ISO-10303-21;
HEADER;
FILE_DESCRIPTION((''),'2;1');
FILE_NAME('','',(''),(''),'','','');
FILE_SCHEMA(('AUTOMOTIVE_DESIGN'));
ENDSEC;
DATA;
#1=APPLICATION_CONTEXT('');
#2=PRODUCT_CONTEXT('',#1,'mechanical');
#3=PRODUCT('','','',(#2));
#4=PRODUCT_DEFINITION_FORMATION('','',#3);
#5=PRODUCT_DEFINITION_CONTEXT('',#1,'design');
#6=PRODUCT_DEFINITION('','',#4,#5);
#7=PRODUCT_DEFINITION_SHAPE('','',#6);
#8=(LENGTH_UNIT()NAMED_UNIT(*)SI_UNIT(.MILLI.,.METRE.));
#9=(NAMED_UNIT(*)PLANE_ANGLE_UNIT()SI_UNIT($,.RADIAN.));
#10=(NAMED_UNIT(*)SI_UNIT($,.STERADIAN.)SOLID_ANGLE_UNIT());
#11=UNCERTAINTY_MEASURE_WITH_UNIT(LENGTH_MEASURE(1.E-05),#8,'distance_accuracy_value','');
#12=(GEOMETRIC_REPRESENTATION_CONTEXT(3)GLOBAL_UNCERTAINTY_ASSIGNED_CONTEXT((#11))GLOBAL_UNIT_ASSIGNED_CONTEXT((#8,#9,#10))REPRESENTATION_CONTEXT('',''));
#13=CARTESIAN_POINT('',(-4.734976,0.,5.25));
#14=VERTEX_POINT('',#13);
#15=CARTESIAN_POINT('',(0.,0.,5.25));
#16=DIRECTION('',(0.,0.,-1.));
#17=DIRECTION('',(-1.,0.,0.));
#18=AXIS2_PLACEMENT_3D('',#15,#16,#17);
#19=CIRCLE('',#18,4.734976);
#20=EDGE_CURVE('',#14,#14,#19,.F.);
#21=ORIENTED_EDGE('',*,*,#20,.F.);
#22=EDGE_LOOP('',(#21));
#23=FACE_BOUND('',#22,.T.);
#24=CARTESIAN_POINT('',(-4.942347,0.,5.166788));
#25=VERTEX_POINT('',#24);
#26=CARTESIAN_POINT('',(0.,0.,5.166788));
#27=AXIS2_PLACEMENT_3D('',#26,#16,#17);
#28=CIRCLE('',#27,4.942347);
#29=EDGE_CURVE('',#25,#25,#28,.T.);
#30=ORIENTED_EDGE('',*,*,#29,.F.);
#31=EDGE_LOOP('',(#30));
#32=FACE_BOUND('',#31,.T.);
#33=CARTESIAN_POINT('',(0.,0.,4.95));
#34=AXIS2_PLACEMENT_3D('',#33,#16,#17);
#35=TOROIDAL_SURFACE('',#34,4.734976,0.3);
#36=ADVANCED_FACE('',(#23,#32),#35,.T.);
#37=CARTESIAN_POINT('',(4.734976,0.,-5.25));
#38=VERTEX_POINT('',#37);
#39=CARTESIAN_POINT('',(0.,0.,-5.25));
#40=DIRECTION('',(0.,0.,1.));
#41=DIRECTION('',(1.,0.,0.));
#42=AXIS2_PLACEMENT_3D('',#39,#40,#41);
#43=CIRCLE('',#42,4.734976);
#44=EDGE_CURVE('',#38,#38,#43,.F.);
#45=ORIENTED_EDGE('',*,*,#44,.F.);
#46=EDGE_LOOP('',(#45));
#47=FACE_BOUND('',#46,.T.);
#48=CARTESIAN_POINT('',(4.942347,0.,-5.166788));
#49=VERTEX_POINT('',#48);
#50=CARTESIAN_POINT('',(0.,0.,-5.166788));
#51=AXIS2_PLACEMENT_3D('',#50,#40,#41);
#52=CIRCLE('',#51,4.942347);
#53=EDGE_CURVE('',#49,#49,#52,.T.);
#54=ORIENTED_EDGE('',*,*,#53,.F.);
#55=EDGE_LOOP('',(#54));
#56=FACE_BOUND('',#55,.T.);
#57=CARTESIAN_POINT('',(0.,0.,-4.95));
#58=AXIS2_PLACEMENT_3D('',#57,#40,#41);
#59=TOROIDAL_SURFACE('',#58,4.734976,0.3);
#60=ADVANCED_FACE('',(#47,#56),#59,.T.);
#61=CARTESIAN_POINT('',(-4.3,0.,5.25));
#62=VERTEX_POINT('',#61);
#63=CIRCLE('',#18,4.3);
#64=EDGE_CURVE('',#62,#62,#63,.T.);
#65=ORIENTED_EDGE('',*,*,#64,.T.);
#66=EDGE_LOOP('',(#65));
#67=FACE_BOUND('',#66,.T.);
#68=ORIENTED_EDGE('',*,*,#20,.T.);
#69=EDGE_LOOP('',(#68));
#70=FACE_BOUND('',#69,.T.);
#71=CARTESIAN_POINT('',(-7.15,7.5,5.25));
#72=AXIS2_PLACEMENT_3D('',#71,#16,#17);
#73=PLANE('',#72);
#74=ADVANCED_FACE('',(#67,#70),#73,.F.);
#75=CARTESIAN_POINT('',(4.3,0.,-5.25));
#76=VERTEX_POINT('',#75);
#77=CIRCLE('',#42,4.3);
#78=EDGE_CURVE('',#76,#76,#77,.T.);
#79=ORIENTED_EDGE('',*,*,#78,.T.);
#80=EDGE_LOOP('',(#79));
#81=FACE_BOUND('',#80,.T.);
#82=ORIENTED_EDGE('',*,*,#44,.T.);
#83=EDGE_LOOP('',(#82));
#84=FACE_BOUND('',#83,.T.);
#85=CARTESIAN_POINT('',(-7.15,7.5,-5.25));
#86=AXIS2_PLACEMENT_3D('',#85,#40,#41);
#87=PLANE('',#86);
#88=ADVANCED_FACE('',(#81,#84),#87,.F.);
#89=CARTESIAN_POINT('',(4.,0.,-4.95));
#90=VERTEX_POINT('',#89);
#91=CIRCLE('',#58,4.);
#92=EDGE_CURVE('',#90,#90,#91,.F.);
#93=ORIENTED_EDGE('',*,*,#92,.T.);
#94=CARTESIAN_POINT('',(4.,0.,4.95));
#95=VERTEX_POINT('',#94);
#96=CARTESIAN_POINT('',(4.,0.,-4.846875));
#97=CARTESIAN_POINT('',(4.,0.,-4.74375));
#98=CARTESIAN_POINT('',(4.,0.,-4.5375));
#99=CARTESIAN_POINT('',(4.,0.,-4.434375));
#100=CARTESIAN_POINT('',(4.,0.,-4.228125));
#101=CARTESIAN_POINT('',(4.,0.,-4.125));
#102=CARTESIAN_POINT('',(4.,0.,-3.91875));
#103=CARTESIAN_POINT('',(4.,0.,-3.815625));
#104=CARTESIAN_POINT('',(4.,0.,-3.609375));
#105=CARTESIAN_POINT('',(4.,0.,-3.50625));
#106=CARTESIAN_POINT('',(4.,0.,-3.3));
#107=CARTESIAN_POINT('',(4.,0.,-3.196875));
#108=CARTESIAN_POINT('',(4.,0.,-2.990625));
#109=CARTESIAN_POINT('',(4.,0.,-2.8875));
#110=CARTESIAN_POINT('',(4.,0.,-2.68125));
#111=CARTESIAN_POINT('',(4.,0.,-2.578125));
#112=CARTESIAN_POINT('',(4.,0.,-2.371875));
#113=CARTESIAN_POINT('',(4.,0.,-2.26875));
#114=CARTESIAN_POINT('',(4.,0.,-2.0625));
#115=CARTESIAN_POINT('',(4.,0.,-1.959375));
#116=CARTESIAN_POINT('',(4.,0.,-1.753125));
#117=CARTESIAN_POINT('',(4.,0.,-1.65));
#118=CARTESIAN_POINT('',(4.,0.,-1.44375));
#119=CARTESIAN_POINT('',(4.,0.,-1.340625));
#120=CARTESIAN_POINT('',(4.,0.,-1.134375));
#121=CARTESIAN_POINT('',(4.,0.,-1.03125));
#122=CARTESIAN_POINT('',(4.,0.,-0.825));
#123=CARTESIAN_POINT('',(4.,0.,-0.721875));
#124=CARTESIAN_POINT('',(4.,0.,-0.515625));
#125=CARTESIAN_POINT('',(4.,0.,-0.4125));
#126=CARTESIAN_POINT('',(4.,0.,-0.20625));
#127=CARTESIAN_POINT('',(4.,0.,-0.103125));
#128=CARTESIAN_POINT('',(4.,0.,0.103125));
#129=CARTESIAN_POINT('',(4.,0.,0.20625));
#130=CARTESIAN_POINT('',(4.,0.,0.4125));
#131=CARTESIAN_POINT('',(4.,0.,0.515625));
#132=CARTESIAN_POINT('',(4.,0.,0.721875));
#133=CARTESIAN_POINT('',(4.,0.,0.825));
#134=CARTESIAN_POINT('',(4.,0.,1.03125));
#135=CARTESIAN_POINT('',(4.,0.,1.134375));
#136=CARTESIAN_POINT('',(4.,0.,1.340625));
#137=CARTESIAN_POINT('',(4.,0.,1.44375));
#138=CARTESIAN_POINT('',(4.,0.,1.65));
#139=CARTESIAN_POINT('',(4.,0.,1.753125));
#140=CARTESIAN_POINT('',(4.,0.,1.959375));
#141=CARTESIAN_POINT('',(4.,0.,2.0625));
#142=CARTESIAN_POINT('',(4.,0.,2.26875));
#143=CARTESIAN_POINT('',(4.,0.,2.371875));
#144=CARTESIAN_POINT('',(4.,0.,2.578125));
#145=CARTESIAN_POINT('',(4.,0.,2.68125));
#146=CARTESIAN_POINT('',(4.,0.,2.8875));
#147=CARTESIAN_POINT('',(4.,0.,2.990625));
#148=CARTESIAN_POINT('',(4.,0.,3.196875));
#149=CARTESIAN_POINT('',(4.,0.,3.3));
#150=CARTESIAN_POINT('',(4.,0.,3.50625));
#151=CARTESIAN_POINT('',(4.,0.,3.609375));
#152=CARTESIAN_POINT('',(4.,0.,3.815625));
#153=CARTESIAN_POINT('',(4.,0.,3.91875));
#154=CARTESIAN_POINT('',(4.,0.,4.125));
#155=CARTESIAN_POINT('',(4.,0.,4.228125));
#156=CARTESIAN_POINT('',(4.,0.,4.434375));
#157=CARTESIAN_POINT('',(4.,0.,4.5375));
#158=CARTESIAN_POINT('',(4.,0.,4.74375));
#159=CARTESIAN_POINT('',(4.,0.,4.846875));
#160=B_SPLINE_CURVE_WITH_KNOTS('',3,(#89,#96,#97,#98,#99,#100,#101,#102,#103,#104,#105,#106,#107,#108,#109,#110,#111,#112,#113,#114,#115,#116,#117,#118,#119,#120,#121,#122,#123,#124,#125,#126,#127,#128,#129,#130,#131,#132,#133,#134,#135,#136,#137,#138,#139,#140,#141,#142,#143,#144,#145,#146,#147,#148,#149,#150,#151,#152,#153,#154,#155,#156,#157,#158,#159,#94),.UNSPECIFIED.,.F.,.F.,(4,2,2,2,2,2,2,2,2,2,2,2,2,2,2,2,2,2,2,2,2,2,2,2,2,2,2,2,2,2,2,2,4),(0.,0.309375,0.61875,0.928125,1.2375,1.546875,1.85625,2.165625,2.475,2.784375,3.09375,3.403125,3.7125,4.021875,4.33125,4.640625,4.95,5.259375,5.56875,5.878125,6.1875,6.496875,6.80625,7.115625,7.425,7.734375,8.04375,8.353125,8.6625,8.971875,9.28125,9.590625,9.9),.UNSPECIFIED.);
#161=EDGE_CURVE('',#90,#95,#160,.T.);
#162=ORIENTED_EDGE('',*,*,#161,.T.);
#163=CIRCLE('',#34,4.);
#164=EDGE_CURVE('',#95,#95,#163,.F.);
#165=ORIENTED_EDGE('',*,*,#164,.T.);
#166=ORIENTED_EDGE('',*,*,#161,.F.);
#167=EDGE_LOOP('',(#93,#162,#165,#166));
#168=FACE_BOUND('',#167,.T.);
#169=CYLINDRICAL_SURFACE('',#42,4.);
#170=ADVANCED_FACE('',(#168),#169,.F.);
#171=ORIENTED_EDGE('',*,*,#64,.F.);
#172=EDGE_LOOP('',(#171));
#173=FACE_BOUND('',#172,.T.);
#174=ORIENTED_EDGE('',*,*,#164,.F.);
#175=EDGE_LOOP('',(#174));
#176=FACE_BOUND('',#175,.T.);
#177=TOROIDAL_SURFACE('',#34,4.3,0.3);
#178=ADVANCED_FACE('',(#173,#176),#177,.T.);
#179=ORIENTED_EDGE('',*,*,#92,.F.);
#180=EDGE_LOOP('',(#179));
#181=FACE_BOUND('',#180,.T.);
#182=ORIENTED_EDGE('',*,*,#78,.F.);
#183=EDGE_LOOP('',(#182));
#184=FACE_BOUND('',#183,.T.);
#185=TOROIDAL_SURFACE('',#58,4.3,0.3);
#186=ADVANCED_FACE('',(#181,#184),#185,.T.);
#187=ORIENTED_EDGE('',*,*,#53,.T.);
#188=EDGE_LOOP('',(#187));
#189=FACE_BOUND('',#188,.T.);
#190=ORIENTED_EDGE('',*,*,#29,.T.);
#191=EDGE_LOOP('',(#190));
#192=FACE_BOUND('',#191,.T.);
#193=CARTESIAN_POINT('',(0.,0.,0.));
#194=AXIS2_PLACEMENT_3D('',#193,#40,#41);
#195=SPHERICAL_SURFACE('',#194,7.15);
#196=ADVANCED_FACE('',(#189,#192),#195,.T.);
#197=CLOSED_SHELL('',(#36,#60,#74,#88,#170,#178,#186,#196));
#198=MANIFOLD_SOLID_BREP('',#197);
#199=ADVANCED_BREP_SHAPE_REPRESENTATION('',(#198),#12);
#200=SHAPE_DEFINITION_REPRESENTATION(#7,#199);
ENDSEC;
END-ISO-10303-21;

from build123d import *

# Parameters (mm, degrees)
CORTE_EXTRUS_O1_DEPTH      = 25.768326548
CORTE_EXTRUS_O1_DEPTH_BACK = 25.768326548
ESBO_O2_W                  = 15
ESBO_O2_H                  = 30
ESBO_O3_R                  = 8
CORTE_EXTRUS_O2_DEPTH      = 33.000312498
FILETE1_R                  = 0.6
SCALE1_SCALE               = 0.5


with BuildPart() as part:
    # Esboço1 → Revolução1 (revolve)
    with BuildSketch(Plane.XY):
        with BuildLine():
            Line((0, -14.3), (0, 14.3))
            ThreePointArc((0, 14.3), (14.3, 0), (0, -14.3))
        make_face()
    revolve(axis=Axis((0, -14.3, 0), (0, 1, 0)))

    # Esboço2 → Corte-extrusão1 (cut, two sides: drawn at the far end of the back side and taken through both)
    with BuildSketch(Plane(origin=(0, 0, 0), x_dir=(0, 0, -1), z_dir=(1, 0, 0)).offset(-CORTE_EXTRUS_O1_DEPTH_BACK)):
        with Locations((-18, 0)):
            Rectangle(ESBO_O2_W, ESBO_O2_H)
        with Locations((18, 0)):
            Rectangle(ESBO_O2_W, ESBO_O2_H)
    extrude(amount=CORTE_EXTRUS_O1_DEPTH + CORTE_EXTRUS_O1_DEPTH_BACK, mode=Mode.SUBTRACT)

    # Esboço3 → Corte-extrusão2 (cut, through all)
    with BuildSketch(Plane.XY.offset(10.5)):
        Circle(ESBO_O3_R)
    extrude(amount=-CORTE_EXTRUS_O2_DEPTH, mode=Mode.SUBTRACT)

    # Filete1
    filete1_edges = [part.edges().sort_by_distance(p)[0] for p in [
        (0, 9.70772888, -10.5),
        (-8, 0, -10.5),
        (-8, 0, 10.5),
        (0, 9.70772888, 10.5),
    ]]
    fillet(filete1_edges, radius=FILETE1_R)


with BuildPart() as part_1:
    # Scale1: scaled about (-1.207e-06, 2.588e-06, 0)
    add(part.part.scale(SCALE1_SCALE).moved(Location((-6.04e-07, 1.294e-06, 0))))


solid = part_1.part
